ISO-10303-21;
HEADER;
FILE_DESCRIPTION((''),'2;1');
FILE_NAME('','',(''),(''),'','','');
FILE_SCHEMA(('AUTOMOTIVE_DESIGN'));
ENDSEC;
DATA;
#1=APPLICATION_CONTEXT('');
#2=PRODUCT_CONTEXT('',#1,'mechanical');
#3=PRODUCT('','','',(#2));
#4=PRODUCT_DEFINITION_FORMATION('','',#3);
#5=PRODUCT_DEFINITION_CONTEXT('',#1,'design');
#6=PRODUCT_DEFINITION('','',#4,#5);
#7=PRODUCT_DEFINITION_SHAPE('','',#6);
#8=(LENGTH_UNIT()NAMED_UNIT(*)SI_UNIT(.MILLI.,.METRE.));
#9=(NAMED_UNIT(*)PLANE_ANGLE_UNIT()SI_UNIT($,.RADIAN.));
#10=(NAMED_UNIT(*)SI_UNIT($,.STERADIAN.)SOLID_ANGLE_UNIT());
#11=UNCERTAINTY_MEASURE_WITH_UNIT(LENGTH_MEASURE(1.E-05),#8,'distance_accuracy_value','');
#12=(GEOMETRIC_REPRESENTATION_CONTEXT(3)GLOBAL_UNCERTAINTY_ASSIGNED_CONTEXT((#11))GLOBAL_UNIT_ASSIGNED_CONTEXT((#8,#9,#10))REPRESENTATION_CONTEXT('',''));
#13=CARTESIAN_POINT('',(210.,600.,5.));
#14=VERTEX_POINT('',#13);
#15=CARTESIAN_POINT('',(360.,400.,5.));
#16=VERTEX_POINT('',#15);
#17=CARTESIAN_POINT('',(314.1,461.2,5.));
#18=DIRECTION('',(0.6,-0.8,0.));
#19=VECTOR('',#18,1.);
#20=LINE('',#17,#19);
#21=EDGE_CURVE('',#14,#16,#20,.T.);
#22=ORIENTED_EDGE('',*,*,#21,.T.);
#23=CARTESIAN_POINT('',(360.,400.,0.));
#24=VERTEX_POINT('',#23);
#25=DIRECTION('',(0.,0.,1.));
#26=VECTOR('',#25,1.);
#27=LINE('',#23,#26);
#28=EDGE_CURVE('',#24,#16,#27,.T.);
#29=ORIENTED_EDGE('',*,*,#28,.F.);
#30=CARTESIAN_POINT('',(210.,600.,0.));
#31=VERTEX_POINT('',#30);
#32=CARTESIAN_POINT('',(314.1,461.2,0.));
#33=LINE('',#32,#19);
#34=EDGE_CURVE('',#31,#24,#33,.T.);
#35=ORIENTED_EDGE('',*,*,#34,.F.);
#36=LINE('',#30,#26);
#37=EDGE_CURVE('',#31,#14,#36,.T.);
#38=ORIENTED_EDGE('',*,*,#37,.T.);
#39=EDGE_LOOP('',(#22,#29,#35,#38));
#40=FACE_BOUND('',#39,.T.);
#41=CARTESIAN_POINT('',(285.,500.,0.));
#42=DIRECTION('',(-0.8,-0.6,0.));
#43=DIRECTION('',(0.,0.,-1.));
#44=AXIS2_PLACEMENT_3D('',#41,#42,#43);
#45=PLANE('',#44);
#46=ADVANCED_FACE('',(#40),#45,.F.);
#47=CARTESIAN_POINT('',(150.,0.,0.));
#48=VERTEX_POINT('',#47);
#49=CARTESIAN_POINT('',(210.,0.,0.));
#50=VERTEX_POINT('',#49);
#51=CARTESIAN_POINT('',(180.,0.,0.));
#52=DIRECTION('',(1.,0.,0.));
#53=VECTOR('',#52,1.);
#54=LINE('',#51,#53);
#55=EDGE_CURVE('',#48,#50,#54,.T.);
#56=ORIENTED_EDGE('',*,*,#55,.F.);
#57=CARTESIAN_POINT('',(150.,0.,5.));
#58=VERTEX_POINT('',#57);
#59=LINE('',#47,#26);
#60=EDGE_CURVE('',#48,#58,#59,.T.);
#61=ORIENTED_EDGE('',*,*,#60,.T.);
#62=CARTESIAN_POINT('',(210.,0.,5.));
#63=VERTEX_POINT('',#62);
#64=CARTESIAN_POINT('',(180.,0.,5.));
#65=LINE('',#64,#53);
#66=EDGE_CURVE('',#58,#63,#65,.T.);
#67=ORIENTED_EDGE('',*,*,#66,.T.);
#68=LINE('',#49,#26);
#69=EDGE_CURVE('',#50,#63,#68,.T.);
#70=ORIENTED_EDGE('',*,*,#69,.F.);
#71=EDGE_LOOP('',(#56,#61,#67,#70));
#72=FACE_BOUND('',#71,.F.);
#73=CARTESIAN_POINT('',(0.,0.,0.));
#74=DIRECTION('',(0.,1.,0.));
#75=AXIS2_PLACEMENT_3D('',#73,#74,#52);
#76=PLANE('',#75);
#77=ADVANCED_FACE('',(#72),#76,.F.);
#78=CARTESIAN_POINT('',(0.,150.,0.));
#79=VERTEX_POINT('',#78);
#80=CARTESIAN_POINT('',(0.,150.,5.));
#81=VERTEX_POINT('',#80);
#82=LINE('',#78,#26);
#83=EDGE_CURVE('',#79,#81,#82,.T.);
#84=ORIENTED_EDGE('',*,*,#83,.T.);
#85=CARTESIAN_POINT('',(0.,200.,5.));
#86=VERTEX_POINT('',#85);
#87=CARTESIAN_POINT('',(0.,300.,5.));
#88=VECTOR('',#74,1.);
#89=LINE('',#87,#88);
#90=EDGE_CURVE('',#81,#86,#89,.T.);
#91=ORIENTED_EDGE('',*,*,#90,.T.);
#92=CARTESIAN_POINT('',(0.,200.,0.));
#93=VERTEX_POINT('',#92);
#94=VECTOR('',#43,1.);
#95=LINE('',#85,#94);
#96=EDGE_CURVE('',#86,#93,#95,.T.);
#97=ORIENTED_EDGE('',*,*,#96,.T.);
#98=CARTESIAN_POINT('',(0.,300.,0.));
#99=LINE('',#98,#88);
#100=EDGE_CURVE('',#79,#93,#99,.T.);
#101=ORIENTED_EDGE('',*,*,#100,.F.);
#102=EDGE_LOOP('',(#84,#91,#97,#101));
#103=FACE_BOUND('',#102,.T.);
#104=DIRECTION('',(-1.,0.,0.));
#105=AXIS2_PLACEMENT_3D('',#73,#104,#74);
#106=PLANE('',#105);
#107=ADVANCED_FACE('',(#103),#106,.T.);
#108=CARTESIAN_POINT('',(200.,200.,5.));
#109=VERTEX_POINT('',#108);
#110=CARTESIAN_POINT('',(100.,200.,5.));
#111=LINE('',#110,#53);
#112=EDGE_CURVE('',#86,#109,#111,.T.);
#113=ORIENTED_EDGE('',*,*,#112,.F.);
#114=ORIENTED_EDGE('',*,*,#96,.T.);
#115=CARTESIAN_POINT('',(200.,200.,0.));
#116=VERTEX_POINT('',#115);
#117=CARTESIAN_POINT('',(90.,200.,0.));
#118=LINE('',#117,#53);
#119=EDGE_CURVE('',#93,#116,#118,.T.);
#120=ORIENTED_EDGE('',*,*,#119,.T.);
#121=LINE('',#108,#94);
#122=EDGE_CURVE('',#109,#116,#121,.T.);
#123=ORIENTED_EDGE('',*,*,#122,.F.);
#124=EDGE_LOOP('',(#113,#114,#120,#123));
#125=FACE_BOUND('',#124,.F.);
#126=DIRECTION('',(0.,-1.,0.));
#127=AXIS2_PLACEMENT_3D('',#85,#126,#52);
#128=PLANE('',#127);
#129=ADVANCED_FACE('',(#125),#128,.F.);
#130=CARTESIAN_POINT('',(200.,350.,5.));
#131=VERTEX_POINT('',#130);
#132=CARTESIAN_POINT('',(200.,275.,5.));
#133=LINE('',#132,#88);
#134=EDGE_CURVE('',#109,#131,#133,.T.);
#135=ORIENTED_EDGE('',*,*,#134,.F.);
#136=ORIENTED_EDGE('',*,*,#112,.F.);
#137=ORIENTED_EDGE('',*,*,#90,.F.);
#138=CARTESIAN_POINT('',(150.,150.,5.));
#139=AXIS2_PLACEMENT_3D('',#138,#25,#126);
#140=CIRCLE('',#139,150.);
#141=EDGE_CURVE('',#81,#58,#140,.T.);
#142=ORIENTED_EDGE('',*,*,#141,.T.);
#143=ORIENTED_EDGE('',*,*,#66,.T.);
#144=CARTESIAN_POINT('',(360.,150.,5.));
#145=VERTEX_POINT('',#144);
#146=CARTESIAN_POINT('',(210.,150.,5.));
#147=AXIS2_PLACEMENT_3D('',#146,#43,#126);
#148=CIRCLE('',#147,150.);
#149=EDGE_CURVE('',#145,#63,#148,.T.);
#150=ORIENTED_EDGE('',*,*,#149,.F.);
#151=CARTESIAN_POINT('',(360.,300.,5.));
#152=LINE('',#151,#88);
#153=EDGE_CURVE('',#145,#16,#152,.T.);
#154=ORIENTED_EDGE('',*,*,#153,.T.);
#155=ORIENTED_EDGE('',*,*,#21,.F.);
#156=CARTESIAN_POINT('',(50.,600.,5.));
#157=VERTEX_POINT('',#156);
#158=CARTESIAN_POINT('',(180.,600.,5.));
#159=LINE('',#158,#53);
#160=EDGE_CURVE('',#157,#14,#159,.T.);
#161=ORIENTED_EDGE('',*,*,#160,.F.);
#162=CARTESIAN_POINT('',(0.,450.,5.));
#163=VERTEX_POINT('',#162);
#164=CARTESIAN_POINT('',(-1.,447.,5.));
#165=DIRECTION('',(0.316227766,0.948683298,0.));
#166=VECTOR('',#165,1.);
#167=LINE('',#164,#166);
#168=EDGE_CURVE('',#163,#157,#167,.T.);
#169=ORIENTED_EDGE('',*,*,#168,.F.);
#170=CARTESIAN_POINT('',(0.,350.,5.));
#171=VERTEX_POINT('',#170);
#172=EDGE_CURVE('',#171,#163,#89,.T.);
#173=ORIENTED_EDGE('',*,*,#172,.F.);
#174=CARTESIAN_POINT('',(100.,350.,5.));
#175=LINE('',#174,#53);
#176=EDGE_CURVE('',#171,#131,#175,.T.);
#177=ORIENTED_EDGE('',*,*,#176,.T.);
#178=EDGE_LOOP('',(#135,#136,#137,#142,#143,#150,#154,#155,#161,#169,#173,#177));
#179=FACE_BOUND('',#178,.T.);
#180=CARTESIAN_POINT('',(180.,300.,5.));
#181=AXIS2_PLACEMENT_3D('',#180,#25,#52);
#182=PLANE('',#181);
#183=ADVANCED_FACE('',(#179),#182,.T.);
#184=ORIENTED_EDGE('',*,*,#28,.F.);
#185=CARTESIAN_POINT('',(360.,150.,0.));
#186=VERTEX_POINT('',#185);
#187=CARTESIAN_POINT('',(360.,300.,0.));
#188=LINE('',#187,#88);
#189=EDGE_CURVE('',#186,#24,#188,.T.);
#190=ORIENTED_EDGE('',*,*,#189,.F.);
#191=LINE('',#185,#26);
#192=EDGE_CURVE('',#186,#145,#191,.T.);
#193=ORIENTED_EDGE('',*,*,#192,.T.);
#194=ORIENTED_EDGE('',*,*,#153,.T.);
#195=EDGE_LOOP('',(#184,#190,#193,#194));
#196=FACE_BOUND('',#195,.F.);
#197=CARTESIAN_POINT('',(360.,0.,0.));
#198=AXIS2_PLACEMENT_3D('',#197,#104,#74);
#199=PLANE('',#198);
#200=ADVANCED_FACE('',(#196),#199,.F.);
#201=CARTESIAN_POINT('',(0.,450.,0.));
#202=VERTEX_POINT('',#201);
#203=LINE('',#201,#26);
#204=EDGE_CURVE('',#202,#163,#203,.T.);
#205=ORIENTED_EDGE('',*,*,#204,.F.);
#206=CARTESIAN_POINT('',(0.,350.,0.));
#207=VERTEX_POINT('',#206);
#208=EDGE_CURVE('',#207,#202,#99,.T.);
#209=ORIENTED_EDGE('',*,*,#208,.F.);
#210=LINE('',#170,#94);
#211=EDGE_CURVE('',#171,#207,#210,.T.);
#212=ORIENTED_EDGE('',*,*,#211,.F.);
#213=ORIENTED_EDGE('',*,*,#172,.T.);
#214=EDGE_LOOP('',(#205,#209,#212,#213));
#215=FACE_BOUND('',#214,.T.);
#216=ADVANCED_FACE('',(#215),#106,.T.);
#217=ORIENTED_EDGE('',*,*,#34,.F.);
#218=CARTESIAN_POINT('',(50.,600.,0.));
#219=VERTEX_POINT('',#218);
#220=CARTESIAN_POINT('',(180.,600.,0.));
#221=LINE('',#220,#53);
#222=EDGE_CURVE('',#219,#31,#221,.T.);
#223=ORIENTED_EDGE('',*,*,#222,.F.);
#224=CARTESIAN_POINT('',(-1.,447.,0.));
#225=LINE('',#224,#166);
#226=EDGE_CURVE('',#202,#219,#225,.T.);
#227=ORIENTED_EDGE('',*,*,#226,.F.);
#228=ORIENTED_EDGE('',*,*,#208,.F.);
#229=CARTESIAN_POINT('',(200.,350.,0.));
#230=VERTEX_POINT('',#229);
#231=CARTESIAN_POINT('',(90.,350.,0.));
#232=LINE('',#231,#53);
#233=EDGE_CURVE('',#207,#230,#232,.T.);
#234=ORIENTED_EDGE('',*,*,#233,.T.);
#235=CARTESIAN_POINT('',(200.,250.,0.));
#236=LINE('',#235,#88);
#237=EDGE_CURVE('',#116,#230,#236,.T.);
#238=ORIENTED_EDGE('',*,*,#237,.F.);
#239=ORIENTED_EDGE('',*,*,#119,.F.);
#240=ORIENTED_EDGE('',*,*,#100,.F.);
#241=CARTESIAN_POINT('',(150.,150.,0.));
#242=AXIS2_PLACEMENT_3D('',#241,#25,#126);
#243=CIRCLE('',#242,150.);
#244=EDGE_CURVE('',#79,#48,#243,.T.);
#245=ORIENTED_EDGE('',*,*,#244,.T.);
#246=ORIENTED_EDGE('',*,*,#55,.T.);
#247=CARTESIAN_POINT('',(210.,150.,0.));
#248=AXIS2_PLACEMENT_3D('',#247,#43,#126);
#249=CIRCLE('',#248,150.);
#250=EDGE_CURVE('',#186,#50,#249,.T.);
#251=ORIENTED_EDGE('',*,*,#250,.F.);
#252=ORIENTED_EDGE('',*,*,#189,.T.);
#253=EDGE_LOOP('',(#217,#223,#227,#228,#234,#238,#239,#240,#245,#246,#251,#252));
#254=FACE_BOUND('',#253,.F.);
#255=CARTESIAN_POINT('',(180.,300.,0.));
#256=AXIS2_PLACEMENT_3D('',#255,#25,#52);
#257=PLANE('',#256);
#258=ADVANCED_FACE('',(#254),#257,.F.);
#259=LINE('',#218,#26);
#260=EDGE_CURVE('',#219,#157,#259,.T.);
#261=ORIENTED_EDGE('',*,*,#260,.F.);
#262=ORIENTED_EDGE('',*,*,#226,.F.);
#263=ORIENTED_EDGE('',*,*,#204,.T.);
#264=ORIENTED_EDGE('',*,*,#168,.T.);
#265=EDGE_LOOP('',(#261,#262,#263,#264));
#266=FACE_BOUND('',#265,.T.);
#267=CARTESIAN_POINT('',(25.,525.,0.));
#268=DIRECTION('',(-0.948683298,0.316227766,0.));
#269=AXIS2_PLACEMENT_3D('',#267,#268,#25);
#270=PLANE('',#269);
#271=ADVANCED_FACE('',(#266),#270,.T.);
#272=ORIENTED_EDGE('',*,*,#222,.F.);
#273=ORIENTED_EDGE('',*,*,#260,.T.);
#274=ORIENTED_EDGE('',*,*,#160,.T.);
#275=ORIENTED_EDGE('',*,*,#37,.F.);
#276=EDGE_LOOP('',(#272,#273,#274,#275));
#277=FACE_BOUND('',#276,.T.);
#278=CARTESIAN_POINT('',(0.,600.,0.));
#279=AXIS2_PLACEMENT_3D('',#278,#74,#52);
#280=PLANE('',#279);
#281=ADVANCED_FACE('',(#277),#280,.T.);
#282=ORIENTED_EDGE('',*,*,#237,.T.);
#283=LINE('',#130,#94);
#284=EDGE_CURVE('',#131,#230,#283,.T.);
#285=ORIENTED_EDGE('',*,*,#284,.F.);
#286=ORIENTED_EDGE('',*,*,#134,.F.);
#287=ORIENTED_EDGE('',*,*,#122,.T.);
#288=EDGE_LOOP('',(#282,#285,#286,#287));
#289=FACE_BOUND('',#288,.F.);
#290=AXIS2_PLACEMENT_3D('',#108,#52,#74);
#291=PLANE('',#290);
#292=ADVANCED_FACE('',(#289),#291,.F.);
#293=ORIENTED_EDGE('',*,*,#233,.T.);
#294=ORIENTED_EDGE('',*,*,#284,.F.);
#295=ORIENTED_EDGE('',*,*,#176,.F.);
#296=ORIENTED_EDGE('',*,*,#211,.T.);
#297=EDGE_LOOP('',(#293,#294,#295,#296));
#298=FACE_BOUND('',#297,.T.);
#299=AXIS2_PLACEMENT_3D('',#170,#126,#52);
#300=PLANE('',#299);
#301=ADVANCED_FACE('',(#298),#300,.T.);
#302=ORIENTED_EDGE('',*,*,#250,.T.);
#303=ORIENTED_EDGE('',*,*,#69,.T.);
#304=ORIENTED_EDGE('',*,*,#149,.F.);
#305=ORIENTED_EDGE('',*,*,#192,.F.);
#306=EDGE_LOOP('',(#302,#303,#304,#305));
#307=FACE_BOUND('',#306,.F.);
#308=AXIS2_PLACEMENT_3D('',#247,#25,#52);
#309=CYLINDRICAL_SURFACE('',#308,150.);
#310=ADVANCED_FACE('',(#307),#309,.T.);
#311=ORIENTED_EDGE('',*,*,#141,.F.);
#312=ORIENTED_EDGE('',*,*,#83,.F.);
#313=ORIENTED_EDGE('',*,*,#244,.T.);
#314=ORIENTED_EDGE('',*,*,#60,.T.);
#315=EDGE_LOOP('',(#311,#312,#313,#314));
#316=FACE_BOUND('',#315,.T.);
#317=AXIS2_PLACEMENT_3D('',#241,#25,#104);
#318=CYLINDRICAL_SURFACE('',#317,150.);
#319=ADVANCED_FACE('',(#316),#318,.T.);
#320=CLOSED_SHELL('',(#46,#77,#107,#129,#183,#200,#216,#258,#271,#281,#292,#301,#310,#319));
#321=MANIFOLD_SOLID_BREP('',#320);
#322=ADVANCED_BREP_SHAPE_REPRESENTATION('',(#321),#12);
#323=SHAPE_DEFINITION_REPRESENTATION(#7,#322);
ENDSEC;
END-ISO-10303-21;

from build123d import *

# Parameters (mm, degrees)
F0_W     = 360
F0_H     = 600
F1_DEPTH = 5
F2_W     = 200
F2_H     = 150
F3_DEPTH = 25
F4_R     = 150
F5_SIZE2 = 50
F5_SIZE  = 150
F6_SIZE2 = 200
F6_SIZE  = 150
F7_R     = 150


with BuildPart() as f1:
    # F0 (on Top) → F1 (new body)
    with BuildSketch(Plane.XY):
        with Locations((180, 300)):
            Rectangle(F0_W, F0_H)
    extrude(amount=F1_DEPTH)

    # F2 (on face) → F3 (cut)
    with BuildSketch(Plane.XY.offset(5)):
        with Locations((100, 275)):
            Rectangle(F2_W, F2_H)
    extrude(amount=-F3_DEPTH, mode=Mode.SUBTRACT)

    # F4
    f4_edges = [f1.edges().sort_by_distance(p)[0] for p in [
        (0, 0, 2.5),
    ]]
    fillet(f4_edges, radius=F4_R)

    # F5
    f5_edges = [f1.edges().sort_by_distance(p)[0] for p in [
        (0, 600, 2.5),
    ]]
    f5_side = f1.faces().sort_by_distance((0, 475, 2.5))[0]
    chamfer(f5_edges, length=F5_SIZE, length2=F5_SIZE2, reference=f5_side)

    # F6
    f6_edges = [f1.edges().sort_by_distance(p)[0] for p in [
        (360, 600, 2.5),
    ]]
    f6_side = f1.faces().sort_by_distance((205, 600, 2.5))[0]
    chamfer(f6_edges, length=F6_SIZE, length2=F6_SIZE2, reference=f6_side)

    # F7
    f7_edges = [f1.edges().sort_by_distance(p)[0] for p in [
        (360, 0, 2.5),
    ]]
    fillet(f7_edges, radius=F7_R)


solid = f1.part
